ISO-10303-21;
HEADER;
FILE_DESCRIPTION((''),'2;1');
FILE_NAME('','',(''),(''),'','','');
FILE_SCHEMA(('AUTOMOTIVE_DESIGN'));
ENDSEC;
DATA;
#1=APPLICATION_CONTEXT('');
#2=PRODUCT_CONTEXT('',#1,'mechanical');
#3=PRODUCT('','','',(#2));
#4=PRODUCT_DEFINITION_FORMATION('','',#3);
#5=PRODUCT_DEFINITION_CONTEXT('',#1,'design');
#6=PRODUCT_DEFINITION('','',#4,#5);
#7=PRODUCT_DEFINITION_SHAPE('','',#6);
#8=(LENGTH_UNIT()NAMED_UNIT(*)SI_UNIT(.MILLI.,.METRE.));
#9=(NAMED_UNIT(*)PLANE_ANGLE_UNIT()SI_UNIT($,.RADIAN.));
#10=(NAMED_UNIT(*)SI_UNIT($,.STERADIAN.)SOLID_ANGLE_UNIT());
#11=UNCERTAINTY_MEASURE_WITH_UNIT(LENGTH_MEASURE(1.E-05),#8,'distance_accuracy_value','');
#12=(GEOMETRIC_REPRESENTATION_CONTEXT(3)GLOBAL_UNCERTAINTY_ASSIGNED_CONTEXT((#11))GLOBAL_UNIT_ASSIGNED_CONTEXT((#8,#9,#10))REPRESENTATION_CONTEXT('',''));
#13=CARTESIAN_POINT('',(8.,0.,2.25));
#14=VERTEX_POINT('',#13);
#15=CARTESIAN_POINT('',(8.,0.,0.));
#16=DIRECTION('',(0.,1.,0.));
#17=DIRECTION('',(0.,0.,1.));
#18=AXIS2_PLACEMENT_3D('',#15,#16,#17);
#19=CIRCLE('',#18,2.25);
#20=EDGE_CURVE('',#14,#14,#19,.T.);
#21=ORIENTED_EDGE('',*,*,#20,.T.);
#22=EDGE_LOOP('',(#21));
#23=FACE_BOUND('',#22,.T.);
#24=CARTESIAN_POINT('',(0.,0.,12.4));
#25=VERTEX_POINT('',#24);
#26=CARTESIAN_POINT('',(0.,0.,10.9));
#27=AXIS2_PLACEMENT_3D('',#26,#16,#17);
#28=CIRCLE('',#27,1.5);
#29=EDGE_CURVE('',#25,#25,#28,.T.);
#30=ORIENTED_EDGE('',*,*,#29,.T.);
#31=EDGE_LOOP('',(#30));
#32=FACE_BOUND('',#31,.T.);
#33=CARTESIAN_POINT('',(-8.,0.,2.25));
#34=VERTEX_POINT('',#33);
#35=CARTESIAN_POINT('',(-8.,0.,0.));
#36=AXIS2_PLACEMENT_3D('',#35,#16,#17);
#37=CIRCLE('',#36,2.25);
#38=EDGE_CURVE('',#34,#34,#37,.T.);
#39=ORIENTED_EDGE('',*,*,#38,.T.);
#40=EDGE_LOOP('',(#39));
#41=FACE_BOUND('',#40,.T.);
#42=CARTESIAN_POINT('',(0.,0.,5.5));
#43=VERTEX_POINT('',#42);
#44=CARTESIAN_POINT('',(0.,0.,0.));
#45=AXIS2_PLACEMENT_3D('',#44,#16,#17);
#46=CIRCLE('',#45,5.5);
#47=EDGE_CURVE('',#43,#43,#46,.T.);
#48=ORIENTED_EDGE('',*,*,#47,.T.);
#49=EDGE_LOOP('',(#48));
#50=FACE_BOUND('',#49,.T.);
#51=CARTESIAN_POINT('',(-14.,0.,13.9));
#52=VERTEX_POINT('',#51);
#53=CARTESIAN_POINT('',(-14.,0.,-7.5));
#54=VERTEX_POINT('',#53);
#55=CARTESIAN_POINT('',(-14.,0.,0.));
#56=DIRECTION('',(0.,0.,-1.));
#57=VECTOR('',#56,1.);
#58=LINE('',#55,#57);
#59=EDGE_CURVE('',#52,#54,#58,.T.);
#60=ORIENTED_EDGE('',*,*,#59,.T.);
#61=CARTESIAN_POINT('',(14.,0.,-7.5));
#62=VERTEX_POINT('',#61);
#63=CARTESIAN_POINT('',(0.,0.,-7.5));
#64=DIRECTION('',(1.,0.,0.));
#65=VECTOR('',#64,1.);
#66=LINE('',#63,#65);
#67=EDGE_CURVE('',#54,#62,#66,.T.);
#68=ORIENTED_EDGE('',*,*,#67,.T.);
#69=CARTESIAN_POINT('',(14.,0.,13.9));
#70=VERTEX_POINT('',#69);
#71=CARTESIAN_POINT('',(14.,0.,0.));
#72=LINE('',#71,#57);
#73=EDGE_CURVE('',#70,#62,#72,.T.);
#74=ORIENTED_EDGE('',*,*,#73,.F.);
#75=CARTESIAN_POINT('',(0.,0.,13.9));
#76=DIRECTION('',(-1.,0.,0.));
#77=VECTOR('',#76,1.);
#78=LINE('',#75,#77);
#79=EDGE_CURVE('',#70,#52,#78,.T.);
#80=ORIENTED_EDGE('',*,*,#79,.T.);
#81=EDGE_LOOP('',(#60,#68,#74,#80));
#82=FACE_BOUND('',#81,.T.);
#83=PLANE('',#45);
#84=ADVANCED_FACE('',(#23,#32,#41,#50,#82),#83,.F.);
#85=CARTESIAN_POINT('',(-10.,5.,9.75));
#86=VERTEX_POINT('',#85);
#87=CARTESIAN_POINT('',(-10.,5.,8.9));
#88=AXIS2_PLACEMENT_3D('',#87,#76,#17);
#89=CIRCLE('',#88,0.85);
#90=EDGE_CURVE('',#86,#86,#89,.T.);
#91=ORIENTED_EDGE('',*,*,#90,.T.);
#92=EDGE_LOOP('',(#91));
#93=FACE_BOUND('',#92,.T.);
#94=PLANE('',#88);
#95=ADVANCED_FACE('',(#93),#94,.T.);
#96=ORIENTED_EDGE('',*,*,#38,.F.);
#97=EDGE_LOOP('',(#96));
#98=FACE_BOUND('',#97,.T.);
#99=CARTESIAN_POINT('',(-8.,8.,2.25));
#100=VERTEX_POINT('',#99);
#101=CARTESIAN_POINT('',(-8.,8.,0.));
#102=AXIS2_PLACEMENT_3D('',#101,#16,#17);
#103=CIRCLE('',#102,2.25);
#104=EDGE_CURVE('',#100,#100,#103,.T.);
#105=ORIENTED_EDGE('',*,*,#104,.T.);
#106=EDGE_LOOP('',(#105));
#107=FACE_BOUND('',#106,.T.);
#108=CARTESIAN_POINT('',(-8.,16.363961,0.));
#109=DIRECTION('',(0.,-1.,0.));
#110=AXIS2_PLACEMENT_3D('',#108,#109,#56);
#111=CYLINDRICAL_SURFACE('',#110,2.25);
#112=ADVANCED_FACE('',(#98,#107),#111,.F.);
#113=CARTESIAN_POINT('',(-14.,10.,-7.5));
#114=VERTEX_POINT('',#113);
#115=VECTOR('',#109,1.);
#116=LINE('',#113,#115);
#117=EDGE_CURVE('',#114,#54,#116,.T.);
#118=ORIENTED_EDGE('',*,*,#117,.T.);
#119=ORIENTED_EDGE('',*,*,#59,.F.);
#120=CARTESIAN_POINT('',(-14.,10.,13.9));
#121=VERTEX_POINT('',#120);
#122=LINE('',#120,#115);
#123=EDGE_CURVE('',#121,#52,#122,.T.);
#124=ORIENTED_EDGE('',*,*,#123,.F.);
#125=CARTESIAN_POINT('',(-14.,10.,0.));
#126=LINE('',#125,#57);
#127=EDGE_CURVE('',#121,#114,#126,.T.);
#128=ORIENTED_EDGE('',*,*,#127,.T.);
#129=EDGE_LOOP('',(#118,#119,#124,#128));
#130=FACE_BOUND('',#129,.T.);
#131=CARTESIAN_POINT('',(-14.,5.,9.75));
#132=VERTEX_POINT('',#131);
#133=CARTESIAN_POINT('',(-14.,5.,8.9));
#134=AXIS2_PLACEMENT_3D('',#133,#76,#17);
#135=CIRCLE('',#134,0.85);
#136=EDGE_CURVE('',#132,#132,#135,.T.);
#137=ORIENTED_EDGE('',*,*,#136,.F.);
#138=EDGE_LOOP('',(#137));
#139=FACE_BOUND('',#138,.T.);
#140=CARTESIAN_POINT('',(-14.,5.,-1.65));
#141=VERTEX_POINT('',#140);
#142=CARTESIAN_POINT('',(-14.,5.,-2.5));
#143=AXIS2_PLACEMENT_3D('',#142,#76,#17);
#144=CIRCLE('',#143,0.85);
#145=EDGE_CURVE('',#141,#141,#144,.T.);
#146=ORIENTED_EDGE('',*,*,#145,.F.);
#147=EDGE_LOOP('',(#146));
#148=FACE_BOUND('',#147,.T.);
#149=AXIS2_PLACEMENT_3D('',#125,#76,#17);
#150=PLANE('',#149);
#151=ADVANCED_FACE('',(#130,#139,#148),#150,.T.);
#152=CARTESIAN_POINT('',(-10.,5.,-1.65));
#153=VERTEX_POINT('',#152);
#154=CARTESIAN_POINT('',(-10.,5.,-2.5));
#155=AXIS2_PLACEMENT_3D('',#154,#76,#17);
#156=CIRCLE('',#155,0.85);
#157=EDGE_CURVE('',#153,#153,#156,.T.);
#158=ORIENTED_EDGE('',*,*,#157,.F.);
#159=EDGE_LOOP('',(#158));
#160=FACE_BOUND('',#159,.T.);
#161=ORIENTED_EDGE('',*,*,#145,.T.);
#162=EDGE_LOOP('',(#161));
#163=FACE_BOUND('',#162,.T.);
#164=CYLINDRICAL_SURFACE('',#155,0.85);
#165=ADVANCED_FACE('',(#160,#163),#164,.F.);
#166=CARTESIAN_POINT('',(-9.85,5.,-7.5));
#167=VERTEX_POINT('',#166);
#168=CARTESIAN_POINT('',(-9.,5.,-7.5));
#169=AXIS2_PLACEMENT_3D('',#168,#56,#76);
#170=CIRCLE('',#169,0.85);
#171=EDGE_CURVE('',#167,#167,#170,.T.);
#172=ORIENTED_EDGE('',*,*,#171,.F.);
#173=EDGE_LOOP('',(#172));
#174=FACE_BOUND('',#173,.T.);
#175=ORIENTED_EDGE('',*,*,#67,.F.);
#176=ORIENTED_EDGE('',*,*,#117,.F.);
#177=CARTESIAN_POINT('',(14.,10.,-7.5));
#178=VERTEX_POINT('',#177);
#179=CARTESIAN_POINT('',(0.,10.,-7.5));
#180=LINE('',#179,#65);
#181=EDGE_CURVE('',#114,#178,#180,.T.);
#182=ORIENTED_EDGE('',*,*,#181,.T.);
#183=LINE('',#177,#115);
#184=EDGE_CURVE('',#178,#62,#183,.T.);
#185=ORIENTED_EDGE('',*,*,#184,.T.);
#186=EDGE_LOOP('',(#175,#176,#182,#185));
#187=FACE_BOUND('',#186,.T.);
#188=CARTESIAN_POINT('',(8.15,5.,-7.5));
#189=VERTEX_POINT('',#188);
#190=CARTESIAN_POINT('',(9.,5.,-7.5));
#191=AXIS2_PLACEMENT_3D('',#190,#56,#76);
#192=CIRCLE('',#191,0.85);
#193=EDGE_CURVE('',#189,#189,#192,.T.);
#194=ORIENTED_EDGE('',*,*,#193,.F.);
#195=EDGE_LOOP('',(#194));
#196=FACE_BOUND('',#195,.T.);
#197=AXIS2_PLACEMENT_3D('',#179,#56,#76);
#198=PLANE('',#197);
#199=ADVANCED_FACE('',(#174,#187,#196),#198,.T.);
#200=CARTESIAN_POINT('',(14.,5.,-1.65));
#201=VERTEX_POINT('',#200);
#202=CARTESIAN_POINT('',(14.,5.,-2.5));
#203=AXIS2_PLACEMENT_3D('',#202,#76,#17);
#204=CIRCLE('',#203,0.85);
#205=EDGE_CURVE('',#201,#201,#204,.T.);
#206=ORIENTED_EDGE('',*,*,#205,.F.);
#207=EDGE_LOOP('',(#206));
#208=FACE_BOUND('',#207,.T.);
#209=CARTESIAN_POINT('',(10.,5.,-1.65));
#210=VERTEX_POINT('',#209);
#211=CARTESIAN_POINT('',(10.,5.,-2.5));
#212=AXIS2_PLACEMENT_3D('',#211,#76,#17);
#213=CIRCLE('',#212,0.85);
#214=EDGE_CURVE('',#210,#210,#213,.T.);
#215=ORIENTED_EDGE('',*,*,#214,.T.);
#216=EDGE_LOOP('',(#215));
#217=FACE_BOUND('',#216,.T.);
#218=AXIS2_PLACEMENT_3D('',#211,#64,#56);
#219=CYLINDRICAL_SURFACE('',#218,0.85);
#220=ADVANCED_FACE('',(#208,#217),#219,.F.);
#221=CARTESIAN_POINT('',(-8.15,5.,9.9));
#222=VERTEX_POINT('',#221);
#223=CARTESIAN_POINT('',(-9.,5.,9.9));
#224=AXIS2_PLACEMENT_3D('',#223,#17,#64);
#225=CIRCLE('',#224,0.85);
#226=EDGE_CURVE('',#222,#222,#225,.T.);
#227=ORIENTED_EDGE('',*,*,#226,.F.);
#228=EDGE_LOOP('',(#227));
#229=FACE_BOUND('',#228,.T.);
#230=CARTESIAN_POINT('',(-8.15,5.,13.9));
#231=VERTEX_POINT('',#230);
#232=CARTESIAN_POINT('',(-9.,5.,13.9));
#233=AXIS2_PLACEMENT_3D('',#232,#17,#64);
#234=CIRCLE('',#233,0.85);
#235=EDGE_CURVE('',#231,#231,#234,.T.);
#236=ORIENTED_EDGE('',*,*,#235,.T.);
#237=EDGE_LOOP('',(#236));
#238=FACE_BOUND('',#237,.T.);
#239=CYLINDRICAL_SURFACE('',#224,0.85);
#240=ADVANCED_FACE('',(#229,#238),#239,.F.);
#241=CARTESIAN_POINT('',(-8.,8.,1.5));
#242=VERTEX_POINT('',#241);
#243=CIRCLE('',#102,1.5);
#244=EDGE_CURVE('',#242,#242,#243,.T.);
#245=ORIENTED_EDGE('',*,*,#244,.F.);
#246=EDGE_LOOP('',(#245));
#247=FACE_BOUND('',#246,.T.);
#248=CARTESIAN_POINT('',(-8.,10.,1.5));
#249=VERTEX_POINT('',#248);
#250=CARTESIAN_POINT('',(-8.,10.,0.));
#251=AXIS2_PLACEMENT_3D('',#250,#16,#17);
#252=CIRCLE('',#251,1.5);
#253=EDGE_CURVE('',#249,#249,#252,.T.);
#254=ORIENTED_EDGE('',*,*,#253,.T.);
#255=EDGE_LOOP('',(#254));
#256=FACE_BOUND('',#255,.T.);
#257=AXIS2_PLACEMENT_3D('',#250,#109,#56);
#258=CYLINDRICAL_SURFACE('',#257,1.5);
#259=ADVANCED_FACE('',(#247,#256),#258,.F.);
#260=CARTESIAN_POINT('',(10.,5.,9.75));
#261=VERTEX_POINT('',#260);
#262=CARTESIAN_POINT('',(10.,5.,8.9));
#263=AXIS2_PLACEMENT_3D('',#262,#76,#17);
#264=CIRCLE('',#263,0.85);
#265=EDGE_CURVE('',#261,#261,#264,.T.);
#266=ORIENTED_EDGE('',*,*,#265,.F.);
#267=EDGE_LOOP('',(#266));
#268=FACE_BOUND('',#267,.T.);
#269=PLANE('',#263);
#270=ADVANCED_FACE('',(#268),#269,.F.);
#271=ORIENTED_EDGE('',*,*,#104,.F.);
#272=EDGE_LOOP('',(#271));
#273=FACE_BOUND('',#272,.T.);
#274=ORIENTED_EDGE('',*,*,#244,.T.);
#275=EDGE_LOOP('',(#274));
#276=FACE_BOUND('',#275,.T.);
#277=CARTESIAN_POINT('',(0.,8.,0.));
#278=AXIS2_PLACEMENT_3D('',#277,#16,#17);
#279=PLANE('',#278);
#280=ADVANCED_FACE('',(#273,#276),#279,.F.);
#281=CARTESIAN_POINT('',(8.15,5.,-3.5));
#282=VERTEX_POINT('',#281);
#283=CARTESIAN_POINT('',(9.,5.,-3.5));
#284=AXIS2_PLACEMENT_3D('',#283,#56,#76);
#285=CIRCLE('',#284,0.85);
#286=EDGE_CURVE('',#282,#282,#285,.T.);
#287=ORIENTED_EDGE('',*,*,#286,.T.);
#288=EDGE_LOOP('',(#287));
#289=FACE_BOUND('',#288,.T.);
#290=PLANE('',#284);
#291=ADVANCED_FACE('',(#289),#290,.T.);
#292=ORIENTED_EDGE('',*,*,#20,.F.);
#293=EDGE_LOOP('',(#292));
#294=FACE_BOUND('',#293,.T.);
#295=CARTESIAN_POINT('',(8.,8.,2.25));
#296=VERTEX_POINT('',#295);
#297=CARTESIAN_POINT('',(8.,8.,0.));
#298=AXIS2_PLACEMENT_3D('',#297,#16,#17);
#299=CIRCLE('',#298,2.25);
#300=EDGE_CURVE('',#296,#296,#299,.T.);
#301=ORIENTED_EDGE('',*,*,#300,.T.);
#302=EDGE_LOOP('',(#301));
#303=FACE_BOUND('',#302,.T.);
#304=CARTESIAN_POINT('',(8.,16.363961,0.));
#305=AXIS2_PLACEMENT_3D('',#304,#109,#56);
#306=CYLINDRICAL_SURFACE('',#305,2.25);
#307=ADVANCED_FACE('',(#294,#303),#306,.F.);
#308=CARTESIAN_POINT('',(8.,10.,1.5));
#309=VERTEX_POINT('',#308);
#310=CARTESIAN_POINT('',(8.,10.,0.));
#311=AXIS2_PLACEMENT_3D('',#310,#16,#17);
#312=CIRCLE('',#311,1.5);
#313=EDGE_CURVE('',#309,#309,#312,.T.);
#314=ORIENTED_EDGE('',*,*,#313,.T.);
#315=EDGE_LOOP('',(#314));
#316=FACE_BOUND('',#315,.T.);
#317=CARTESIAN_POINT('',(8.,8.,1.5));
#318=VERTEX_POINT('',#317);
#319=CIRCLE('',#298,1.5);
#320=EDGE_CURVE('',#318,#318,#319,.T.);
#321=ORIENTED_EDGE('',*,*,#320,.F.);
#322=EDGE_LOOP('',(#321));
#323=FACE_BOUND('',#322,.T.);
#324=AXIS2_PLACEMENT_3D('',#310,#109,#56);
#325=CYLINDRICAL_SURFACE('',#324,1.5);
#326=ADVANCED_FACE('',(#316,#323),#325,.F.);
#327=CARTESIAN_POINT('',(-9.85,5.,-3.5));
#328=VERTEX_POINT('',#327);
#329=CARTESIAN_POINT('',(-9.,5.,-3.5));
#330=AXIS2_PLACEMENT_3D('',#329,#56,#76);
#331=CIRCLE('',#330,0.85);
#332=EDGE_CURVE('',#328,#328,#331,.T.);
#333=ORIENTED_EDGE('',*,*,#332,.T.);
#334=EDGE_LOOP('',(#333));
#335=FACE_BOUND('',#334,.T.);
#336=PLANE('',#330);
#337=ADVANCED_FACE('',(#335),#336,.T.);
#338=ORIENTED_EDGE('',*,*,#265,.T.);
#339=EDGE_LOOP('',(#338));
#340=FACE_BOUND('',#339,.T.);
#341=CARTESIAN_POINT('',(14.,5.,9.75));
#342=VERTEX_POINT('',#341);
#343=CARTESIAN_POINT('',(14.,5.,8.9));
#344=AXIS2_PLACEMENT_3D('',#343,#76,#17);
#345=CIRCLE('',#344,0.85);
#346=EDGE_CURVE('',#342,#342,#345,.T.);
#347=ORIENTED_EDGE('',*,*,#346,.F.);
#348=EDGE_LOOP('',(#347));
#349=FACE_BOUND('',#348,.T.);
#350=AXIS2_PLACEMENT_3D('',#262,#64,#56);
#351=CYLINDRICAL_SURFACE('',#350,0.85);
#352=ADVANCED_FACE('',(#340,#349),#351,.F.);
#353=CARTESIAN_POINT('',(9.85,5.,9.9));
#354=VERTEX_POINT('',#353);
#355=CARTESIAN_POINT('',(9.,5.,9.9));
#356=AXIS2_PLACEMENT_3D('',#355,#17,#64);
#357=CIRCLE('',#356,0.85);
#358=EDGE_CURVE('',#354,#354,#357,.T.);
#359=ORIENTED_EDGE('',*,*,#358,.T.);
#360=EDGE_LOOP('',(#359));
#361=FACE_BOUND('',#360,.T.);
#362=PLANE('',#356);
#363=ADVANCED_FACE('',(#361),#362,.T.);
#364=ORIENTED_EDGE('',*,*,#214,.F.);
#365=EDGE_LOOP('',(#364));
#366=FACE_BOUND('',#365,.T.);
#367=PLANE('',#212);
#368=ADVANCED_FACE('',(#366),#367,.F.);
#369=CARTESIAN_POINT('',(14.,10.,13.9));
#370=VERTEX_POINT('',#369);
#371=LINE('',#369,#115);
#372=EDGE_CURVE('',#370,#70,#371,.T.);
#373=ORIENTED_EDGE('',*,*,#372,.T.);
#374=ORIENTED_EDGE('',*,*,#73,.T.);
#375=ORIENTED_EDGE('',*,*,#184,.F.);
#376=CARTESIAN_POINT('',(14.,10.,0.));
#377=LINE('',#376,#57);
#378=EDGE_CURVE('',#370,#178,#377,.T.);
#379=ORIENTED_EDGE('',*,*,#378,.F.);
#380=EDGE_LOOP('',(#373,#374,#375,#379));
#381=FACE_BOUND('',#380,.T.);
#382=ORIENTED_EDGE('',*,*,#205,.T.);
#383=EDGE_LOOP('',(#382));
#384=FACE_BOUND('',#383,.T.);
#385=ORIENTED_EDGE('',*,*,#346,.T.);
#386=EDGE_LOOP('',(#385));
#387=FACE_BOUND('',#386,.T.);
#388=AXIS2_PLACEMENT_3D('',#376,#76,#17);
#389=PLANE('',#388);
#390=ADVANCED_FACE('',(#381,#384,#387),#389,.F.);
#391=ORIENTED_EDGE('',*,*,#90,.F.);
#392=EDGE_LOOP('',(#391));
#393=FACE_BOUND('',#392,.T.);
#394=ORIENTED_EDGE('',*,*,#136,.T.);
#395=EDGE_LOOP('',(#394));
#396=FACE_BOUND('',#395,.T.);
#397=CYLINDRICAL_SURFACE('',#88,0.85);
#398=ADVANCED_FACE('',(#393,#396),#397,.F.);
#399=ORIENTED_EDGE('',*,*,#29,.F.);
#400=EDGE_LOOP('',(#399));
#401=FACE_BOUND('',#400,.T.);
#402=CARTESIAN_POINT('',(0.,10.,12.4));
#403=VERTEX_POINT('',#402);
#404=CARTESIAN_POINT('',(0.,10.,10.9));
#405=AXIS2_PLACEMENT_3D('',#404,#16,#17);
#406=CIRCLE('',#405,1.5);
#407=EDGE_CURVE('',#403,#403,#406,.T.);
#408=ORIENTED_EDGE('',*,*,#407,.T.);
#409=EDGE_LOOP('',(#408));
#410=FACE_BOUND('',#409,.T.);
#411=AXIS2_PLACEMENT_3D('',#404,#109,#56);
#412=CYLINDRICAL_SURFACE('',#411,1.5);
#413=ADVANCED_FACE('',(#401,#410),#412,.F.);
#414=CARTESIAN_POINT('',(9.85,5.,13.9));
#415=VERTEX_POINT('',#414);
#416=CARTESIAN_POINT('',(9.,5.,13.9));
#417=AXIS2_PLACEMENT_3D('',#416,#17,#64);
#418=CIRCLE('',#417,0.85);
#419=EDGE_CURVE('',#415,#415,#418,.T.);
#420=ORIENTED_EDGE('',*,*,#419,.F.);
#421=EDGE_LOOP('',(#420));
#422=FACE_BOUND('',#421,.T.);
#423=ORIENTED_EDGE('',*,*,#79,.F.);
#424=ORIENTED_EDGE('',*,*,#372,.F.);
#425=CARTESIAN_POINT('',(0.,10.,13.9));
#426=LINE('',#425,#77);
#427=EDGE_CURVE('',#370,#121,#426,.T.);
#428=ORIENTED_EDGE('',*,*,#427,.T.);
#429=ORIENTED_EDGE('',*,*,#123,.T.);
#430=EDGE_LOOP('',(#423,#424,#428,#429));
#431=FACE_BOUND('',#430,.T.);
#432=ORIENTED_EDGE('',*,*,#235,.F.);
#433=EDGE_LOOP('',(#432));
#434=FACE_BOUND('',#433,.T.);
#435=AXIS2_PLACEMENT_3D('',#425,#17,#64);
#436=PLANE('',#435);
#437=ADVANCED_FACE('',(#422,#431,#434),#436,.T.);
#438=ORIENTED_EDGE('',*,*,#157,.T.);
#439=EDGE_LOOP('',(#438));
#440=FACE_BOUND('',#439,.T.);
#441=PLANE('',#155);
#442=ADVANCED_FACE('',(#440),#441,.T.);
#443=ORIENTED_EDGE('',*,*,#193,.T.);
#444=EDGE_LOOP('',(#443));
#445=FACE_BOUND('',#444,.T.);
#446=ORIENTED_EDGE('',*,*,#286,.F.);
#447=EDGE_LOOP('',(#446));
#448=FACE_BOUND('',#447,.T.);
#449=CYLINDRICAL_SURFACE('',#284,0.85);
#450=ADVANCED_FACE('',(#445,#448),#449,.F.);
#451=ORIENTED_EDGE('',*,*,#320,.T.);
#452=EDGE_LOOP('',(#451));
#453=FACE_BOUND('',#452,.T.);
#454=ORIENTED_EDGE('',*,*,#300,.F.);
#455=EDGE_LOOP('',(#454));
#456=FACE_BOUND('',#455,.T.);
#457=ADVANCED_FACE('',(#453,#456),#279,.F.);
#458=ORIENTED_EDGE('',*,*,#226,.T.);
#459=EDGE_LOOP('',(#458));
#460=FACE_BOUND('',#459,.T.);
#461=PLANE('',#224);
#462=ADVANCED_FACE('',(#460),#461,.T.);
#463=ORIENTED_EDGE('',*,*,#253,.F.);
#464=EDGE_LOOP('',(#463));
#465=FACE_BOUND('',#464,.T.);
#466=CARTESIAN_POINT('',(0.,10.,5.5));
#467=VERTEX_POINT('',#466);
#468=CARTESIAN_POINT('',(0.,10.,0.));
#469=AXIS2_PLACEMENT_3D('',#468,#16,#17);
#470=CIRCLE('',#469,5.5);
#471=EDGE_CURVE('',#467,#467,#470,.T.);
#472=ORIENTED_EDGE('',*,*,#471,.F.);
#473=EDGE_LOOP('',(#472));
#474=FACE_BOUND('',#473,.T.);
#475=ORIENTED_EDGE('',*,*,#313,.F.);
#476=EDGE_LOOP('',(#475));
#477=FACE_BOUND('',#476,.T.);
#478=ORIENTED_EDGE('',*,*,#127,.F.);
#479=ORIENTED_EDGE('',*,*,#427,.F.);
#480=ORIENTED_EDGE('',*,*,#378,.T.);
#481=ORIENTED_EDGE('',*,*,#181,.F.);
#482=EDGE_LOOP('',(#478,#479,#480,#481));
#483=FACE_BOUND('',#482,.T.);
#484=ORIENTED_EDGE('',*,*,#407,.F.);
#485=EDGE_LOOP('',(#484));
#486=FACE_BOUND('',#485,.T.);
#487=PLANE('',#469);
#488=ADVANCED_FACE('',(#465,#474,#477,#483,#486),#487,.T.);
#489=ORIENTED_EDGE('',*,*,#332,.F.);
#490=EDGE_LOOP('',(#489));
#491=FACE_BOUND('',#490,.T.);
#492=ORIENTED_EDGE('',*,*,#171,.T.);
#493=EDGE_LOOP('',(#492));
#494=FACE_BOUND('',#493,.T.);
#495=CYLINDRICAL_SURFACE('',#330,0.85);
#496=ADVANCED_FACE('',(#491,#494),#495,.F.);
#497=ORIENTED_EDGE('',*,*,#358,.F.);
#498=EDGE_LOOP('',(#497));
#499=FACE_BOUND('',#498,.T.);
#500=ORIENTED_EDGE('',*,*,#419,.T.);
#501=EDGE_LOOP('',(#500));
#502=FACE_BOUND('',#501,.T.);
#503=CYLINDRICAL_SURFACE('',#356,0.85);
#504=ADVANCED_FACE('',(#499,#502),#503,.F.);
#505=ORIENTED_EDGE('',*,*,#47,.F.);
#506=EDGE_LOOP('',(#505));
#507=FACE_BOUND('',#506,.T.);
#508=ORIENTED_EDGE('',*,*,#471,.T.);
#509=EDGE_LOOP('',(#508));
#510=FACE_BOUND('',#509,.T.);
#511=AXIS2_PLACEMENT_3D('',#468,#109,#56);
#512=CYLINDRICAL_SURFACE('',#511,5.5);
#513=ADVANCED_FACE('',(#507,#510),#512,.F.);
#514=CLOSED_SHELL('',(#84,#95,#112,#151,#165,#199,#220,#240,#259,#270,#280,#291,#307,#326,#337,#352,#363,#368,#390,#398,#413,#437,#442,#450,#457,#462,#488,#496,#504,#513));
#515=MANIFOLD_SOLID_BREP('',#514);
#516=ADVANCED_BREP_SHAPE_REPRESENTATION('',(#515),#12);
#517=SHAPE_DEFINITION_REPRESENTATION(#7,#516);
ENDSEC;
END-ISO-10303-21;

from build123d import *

# Parameters (mm, degrees)
SKETCH_1_W          = 28
SKETCH_1_H          = 21.4
SKETCH_1_R          = 1.5
EXTRUDE_1_DEPTH     = 10
SKETCH_1_17_R       = 2.25
CUT_EXTRUDE_5_DEPTH = 8
CUT_EXTRUDE_START   = 14
SKETCH_2_R          = 0.85
CUT_EXTRUDE_1_DEPTH = 4
CUT_EXTRUDE_START_2 = -10
SKETCH_2_2_R        = 0.85
CUT_EXTRUDE_2_DEPTH = 4
CUT_EXTRUDE_START_3 = 13.9
SKETCH_3_R          = 0.85
CUT_EXTRUDE_3_DEPTH = 4
CUT_EXTRUDE_START_4 = -3.5
SKETCH_3_2_R        = 0.85
CUT_EXTRUDE_4_DEPTH = 4


with BuildPart() as part:
    # 草图1 → 凸台-拉伸1 (new body)
    with BuildSketch(Plane(origin=(0, 0, 0), x_dir=(1, 0, 0), z_dir=(0, 1, 0))):
        with Locations((0, -3.2)):
            Rectangle(SKETCH_1_W, SKETCH_1_H)
        with Locations(Location((-8, 0, 0), (0, 0, 270))):
            Circle(SKETCH_1_R, mode=Mode.SUBTRACT)
        with BuildLine():
            ThreePointArc((5.5, 0), (0, -5.5), (-5.5, 0))
            ThreePointArc((-5.5, 0), (0, 5.5), (5.5, 0))
        make_face(mode=Mode.SUBTRACT)
        with Locations(Location((8, 0, 0), (0, 0, 270))):
            Circle(SKETCH_1_R, mode=Mode.SUBTRACT)
        with Locations(Location((0, -10.9, 0), (0, 0, 270))):
            Circle(SKETCH_1_R, mode=Mode.SUBTRACT)
    extrude(amount=EXTRUDE_1_DEPTH)

    # 草图1<17> → 切除-拉伸5 (cut)
    with BuildSketch(Plane(origin=(0, 0, 0), x_dir=(1, 0, 0), z_dir=(0, 1, 0))):
        with Locations(Location((-8, 0, 0), (0, 0, 270))):
            Circle(SKETCH_1_17_R)
        with Locations(Location((8, 0, 0), (0, 0, 270))):
            Circle(SKETCH_1_17_R)
    extrude(amount=CUT_EXTRUDE_5_DEPTH, mode=Mode.SUBTRACT)

    # 草图2 → 切除-拉伸1 (cut)
    with BuildSketch(Plane(origin=(0, 0, 0), x_dir=(0, 0, -1), z_dir=(1, 0, 0)).offset(CUT_EXTRUDE_START)):
        with Locations(Location((-8.9, 5, 0), (0, 0, 180))):
            Circle(SKETCH_2_R)
        with Locations(Location((2.5, 5, 0), (0, 0, 180))):
            Circle(SKETCH_2_R)
    extrude(amount=-CUT_EXTRUDE_1_DEPTH, mode=Mode.SUBTRACT)

    # 草图2<2> → 切除-拉伸2 (cut)
    with BuildSketch(Plane(origin=(0, 0, 0), x_dir=(0, 0, -1), z_dir=(1, 0, 0)).offset(CUT_EXTRUDE_START_2)):
        with Locations(Location((-8.9, 5, 0), (0, 0, 180))):
            Circle(SKETCH_2_2_R)
        with Locations(Location((2.5, 5, 0), (0, 0, 180))):
            Circle(SKETCH_2_2_R)
    extrude(amount=-CUT_EXTRUDE_2_DEPTH, mode=Mode.SUBTRACT)

    # 草图3 → 切除-拉伸3 (cut)
    with BuildSketch(Plane.XY.offset(CUT_EXTRUDE_START_3)):
        with Locations((-9, 5)):
            Circle(SKETCH_3_R)
        with Locations((9, 5)):
            Circle(SKETCH_3_R)
    extrude(amount=-CUT_EXTRUDE_3_DEPTH, mode=Mode.SUBTRACT)

    # 草图3<2> → 切除-拉伸4 (cut)
    with BuildSketch(Plane.XY.offset(CUT_EXTRUDE_START_4)):
        with Locations((-9, 5)):
            Circle(SKETCH_3_2_R)
        with Locations((9, 5)):
            Circle(SKETCH_3_2_R)
    extrude(amount=-CUT_EXTRUDE_4_DEPTH, mode=Mode.SUBTRACT)


solid = part.part
